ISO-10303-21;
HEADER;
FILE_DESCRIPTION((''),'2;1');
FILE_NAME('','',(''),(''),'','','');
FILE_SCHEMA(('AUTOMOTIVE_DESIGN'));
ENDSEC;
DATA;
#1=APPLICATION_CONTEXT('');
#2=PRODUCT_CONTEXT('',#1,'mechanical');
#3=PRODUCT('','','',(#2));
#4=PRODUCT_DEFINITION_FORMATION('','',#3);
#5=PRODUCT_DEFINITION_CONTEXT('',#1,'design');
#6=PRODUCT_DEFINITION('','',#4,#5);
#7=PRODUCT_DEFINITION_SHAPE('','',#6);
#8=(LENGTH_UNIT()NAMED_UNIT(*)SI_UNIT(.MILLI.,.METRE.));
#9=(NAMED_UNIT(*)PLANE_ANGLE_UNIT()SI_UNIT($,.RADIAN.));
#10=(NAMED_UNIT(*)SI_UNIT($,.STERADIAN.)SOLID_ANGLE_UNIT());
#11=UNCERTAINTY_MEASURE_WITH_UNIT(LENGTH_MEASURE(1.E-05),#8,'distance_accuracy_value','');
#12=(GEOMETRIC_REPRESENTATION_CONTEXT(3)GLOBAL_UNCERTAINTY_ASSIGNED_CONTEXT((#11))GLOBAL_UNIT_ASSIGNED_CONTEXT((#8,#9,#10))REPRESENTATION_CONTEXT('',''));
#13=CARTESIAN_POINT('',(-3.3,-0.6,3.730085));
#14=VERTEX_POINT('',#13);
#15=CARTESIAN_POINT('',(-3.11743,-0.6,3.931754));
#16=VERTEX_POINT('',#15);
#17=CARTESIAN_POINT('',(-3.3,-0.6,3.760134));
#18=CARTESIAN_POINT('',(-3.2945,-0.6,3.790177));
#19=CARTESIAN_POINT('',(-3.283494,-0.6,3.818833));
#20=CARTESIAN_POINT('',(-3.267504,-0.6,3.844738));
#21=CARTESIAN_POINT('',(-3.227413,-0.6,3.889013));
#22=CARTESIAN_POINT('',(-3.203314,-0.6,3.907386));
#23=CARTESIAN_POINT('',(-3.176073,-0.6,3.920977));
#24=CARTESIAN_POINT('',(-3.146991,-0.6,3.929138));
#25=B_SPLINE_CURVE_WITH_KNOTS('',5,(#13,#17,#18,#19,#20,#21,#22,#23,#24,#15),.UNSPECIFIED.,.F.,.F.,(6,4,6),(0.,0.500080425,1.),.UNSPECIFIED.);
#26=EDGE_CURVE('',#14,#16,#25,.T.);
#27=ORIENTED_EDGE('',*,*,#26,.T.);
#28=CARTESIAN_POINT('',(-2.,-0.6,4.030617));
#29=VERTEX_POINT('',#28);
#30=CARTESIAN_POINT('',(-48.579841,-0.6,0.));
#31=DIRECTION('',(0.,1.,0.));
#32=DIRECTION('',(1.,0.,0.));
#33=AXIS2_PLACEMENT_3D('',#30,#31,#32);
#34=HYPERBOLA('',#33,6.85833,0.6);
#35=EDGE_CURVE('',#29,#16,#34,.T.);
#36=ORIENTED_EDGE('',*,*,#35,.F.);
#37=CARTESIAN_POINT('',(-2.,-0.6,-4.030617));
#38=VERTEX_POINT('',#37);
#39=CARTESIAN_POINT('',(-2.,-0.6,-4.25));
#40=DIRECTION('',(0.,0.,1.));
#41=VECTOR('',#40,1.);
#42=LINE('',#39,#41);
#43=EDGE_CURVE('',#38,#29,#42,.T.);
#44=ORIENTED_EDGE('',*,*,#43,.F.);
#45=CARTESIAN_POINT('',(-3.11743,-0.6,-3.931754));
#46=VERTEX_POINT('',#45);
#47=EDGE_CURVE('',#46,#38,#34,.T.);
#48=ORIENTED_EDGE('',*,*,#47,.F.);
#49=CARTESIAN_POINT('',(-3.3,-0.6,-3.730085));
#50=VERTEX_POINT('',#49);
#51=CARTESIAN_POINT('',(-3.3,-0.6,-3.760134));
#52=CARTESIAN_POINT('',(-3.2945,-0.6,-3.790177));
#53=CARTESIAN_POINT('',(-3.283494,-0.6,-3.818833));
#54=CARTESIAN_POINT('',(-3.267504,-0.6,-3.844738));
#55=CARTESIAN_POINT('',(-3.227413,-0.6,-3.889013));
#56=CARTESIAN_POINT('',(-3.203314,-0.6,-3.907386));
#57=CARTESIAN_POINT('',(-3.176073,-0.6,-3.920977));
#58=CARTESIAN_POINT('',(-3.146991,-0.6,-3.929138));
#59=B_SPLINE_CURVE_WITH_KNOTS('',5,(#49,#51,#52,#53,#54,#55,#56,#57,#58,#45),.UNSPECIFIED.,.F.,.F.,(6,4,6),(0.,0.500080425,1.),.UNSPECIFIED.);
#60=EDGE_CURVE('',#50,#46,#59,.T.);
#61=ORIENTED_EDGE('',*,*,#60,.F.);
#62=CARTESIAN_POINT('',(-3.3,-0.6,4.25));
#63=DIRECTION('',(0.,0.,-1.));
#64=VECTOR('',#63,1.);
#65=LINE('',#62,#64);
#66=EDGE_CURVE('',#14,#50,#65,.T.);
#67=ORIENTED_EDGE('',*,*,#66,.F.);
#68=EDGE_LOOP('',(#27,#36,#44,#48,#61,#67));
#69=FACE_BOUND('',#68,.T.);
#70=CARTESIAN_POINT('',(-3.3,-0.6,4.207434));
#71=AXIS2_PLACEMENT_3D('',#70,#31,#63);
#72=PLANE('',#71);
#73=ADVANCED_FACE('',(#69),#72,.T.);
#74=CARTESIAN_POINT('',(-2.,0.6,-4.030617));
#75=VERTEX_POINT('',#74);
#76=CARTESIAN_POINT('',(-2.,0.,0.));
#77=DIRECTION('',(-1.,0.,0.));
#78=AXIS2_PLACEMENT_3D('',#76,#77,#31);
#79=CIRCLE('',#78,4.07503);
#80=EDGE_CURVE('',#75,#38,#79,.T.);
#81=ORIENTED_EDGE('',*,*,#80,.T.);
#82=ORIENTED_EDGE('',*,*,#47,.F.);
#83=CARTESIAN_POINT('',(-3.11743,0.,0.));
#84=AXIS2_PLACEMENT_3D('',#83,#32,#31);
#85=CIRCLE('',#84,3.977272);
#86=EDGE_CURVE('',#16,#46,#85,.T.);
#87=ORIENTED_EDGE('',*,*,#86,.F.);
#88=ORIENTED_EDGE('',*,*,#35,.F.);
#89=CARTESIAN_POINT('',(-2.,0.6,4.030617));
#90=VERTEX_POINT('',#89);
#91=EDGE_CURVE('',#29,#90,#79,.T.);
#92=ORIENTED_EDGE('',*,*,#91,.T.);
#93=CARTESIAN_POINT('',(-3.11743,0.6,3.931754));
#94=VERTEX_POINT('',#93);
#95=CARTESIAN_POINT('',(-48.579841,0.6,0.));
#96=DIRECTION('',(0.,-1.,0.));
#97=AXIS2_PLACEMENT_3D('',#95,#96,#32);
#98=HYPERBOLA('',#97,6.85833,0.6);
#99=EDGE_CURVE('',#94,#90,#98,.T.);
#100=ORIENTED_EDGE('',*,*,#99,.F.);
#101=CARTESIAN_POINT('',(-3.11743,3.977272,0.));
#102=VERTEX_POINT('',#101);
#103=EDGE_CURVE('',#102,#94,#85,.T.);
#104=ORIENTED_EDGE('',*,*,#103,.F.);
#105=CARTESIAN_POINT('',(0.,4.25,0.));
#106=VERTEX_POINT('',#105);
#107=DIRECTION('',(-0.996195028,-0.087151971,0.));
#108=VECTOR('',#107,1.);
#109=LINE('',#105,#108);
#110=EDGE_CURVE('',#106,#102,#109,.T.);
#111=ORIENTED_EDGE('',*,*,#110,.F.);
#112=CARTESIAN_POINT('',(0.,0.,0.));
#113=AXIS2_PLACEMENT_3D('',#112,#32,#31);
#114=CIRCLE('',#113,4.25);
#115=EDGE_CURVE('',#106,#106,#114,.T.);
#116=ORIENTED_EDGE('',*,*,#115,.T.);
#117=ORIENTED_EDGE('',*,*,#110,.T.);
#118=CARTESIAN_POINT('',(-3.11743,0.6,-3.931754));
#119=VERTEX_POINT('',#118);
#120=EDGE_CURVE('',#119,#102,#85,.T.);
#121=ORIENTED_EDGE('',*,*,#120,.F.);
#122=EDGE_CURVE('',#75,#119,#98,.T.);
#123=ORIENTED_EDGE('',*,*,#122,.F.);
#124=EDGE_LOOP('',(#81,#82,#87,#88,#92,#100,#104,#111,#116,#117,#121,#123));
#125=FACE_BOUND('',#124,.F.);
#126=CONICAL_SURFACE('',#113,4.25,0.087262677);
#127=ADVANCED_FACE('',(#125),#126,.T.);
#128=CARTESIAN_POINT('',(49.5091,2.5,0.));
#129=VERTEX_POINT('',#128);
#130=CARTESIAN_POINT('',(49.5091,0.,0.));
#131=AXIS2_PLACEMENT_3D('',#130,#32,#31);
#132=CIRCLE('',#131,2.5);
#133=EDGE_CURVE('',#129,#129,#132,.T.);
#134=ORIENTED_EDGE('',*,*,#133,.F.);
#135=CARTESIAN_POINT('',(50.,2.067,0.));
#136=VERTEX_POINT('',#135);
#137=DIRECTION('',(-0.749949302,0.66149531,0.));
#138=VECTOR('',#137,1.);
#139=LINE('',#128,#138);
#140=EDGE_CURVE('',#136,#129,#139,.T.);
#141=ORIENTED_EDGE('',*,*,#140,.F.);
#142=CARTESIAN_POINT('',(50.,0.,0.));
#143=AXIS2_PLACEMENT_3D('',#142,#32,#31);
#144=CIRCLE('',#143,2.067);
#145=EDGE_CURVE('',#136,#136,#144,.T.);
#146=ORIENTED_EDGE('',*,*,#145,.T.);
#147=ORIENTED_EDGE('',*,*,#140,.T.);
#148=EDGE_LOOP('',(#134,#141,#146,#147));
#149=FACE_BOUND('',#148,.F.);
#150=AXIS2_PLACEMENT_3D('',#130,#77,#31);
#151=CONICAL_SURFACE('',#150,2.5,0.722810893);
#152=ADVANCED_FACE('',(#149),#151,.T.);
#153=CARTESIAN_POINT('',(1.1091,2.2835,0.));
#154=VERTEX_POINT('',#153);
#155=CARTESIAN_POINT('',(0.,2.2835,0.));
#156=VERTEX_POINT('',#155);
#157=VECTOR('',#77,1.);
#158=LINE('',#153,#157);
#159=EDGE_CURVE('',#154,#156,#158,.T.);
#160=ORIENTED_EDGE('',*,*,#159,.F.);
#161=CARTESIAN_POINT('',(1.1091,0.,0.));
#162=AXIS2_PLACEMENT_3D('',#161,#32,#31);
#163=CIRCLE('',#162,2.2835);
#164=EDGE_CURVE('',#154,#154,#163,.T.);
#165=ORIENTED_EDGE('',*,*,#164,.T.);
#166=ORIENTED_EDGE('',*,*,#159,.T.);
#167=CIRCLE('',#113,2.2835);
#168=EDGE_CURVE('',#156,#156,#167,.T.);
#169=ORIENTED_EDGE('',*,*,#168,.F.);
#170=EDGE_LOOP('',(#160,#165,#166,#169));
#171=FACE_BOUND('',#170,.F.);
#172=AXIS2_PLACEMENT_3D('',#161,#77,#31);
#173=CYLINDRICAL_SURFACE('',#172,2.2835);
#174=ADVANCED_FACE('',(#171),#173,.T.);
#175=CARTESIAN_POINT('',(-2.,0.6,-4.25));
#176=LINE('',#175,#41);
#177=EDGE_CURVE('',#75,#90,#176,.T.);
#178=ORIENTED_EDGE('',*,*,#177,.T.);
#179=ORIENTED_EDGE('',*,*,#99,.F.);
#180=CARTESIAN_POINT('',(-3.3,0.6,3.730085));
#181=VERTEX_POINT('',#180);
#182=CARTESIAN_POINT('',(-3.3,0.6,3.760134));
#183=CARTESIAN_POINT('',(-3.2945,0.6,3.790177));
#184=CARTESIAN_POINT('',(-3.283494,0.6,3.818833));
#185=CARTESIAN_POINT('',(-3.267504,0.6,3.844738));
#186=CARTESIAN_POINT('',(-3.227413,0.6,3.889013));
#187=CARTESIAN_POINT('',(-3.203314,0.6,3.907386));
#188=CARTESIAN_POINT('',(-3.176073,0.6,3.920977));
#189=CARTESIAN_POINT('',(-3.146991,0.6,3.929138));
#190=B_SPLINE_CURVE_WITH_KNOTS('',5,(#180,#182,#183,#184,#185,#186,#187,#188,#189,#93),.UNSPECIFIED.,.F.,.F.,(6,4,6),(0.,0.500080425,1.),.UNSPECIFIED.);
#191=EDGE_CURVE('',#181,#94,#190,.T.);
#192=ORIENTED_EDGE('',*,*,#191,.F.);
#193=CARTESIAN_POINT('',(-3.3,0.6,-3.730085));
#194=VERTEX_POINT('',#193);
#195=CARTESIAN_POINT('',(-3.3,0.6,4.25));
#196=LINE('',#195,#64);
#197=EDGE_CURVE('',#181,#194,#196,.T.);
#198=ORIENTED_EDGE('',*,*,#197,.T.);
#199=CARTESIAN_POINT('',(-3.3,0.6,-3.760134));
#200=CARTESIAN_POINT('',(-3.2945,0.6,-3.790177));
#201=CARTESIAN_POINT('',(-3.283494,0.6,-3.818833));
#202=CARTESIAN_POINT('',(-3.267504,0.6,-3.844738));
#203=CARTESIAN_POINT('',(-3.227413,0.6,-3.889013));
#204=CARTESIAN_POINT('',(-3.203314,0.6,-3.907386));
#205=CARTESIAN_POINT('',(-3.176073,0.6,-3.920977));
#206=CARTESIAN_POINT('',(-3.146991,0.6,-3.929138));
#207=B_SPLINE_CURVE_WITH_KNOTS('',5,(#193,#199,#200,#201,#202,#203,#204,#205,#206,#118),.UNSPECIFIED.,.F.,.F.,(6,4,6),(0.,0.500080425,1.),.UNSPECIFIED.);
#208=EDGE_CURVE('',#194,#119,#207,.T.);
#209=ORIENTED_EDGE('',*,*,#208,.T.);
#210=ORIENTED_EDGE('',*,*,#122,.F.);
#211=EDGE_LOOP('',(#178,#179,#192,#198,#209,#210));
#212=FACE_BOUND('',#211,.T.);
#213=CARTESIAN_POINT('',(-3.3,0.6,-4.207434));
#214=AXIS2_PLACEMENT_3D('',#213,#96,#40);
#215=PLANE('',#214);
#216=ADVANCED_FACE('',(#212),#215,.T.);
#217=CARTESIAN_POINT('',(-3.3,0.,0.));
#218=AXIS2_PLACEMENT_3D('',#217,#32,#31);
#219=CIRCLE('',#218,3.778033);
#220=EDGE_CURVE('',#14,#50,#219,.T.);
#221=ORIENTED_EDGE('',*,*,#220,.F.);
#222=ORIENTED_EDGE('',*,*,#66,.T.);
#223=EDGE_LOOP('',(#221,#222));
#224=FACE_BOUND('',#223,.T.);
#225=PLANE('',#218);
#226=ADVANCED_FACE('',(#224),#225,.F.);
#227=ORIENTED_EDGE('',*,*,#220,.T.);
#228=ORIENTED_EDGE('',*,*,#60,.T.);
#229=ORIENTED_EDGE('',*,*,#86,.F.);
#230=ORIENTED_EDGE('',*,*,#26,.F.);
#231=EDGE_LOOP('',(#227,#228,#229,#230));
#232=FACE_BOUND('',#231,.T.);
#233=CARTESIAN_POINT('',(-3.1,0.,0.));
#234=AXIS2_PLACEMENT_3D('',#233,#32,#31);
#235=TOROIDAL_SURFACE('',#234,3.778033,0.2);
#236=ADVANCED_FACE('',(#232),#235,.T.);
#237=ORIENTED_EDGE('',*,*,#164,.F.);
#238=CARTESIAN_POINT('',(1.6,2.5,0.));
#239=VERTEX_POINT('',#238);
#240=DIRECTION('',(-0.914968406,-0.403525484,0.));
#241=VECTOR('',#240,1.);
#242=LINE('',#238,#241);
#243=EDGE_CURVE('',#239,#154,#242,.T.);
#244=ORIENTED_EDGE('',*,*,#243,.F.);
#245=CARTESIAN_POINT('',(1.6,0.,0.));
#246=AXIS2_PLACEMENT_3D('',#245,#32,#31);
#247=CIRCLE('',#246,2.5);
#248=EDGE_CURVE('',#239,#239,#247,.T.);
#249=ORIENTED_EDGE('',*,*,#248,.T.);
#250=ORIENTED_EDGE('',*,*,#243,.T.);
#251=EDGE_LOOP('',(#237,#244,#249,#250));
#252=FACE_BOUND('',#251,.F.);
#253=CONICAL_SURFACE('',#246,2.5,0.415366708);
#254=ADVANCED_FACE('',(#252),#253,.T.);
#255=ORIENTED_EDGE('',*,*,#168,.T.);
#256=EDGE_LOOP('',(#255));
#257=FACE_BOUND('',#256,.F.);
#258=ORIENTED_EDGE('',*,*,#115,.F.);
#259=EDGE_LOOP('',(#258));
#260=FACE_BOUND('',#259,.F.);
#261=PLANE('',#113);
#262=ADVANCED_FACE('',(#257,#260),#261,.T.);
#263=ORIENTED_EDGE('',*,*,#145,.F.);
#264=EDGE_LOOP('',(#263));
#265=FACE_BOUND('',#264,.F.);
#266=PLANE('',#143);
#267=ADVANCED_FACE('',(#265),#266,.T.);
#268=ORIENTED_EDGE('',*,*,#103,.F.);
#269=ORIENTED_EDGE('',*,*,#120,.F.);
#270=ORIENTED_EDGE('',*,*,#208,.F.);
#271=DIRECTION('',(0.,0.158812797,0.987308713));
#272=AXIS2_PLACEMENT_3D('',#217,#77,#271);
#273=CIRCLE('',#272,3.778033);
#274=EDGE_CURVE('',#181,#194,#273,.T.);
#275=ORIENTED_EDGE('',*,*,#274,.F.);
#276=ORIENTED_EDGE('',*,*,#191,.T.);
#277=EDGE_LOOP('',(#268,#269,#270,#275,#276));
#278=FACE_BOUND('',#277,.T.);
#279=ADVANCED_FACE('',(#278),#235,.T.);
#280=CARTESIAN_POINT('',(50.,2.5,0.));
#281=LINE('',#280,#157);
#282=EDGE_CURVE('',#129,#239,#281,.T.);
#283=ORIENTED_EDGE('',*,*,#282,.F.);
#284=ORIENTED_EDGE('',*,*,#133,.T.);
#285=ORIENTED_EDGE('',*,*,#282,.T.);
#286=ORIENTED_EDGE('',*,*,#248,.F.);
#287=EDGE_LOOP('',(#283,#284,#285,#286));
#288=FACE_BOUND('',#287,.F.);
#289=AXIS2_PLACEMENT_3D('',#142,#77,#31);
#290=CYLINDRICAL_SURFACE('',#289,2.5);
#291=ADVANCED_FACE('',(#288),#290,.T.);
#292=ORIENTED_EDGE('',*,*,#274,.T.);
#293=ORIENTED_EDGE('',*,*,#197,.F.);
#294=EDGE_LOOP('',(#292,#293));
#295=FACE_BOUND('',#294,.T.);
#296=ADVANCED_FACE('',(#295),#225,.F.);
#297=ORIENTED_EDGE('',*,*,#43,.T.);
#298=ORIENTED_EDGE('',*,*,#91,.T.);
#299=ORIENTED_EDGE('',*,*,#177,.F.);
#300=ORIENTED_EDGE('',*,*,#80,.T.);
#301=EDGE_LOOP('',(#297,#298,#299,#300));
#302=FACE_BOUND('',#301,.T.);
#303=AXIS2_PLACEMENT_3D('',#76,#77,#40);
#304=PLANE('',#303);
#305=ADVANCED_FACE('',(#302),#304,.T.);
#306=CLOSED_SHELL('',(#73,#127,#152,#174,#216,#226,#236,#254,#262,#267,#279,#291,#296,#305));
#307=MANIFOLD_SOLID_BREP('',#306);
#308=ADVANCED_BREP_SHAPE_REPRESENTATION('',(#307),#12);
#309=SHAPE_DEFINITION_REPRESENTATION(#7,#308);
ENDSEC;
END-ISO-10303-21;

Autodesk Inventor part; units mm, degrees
ref_plane "YZ Plane" through (0, 0, 0) normal (1, 0, 0) x (0, 1, 0)
ref_plane "XZ Plane" through (0, 0, 0) normal (0, 1, 0) x (-1, 0, 0)
sketch "Sketch1" plane through (0, 0, 0) normal (0, 0, 1) x (1, 0, 0)
  line L0 (-3.3, 0) -> (50, 0)
  line L1 (50, 0) -> (50, 2.5)
  line L2 (50, 2.5) -> (1.6, 2.5)
  line L3 (1.6, 2.5) -> (1.1091, 2.2835)
  line L4 (1.1091, 2.2835) -> (0, 2.2835)
  line L5 (0, 2.2835) -> (0, 4.25)
  line L6 (-13.96, 0) -> (60.66, 0) projected
  line L7 (0, -0.85) -> (0, 5.1) projected
  line L8 (-3.3, 0) -> (-3.3, 3.9613)
  line L9 (0, 4.25) -> (-3.3, 3.9613)
  line L10 (1.6, 2.5) -> (0, 2.5) construction
  dimension "d0" = 50
  dimension "d1" = 48.4
  dimension "d2" = 0.4909
  dimension "d3" = 3.3
  dimension "d4" = 5
  dimension "d5" = 4.567
  dimension "d9" = 8.5
  dimension "d10" = 5
revolve "Body" add sketch "Sketch1" angle 360 about axis through (-3.3, 0, 0) along (1, 0, 0)
sketch "Sketch2" plane through (-3.3, 0, 0) normal (-1, 0, 0) x (0, 0, 1)
  circle A0 centre (0, 0) radius 4.25 projected
  line L0 (0, 0) -> (0, 3.9613) projected
  line L1 (-4.25, 0.6) -> (4.25, 0.6)
  line L2 (4.25, 0.6) -> (4.25, -0.6)
  line L3 (4.25, -0.6) -> (-4.25, -0.6)
  line L4 (-4.25, -0.6) -> (-4.25, 0.6)
  line L5 (-4.25, 0) -> (4.25, 0) construction
  line L6 (0, 0.6) -> (0, -0.6) construction
  point P0 (0, 0)
  dimension "d11" = 1.2
  dimension "d12" = 8.5
fillet "Fillet1" radius 0.2 1 edges at (-3.3, -3.9613, 0)
extrude "Slot" cut sketch "Sketch2" against normal blind 1.3 contours A0 L3 L1 | L2 L3 A0 | A0 L1 L2 | A0 L4 L1 | L3 L4 A0
thread "Thread" size "M5x0.8" class "6g" standard "ISO Metric profile" length 48.4
chamfer "Chamfer1" distance 0.433 distance2 0.4909 1 edges at (50, -2.5, 0) measured on face at (50, -0.4809, -0.0271)
ref_plane "Work Plane1" through (30.1625, 0, 0) normal (0, 0, -1) x (1, 0, 0)
equation "\"d11\" = SBR"
equation "\"d12\" = KOD"
equation "\"d14\" = RR"
equation "\"d19\" = STI"
equation "\"d15\" = GEL"
equation "\"d17\" = -0.5 * SPD + 0.5 * GD"
equation "\"d0\" = NLG"
equation "\"d1\" = GEL"
equation "\"d3\" = KOH"
equation "\"d4\" = GD"
equation "\"d5\" = BDM"
equation "\"d9\" = KOD"
equation "\"d10\" = KEWI"
equation "\"GD\" = 5"
equation "\"NLG\" = 50"
equation "\"GEL\" = 48.4"
equation "\"KOD\" = 8.5"
equation "\"KOH\" = 3.3"
equation "\"GAL\" = 0.61345 * PTC"
equation "\"SPD\" = 4.13397"
equation "\"BDM\" = 4.56699"
equation "\"GUL\" = 0.61345 * PTC"
equation "\"RR\" = 0.2"
equation "\"SBR\" = 1.2"
equation "\"STI\" = 1.3"
equation "\"KEWI\" = 5deg"
equation "\"PTC\" = 0.8"
equation "\"THREADDIA\" = 5"
equation "\"TOA\" = 30deg"
equation "\"NND\" = 5"
equation "\"GD1\" = THREADDIA - 1.2269 * PTC"
properties part number "DIN 84 - M5 x 50" material "Steel, Mild"
